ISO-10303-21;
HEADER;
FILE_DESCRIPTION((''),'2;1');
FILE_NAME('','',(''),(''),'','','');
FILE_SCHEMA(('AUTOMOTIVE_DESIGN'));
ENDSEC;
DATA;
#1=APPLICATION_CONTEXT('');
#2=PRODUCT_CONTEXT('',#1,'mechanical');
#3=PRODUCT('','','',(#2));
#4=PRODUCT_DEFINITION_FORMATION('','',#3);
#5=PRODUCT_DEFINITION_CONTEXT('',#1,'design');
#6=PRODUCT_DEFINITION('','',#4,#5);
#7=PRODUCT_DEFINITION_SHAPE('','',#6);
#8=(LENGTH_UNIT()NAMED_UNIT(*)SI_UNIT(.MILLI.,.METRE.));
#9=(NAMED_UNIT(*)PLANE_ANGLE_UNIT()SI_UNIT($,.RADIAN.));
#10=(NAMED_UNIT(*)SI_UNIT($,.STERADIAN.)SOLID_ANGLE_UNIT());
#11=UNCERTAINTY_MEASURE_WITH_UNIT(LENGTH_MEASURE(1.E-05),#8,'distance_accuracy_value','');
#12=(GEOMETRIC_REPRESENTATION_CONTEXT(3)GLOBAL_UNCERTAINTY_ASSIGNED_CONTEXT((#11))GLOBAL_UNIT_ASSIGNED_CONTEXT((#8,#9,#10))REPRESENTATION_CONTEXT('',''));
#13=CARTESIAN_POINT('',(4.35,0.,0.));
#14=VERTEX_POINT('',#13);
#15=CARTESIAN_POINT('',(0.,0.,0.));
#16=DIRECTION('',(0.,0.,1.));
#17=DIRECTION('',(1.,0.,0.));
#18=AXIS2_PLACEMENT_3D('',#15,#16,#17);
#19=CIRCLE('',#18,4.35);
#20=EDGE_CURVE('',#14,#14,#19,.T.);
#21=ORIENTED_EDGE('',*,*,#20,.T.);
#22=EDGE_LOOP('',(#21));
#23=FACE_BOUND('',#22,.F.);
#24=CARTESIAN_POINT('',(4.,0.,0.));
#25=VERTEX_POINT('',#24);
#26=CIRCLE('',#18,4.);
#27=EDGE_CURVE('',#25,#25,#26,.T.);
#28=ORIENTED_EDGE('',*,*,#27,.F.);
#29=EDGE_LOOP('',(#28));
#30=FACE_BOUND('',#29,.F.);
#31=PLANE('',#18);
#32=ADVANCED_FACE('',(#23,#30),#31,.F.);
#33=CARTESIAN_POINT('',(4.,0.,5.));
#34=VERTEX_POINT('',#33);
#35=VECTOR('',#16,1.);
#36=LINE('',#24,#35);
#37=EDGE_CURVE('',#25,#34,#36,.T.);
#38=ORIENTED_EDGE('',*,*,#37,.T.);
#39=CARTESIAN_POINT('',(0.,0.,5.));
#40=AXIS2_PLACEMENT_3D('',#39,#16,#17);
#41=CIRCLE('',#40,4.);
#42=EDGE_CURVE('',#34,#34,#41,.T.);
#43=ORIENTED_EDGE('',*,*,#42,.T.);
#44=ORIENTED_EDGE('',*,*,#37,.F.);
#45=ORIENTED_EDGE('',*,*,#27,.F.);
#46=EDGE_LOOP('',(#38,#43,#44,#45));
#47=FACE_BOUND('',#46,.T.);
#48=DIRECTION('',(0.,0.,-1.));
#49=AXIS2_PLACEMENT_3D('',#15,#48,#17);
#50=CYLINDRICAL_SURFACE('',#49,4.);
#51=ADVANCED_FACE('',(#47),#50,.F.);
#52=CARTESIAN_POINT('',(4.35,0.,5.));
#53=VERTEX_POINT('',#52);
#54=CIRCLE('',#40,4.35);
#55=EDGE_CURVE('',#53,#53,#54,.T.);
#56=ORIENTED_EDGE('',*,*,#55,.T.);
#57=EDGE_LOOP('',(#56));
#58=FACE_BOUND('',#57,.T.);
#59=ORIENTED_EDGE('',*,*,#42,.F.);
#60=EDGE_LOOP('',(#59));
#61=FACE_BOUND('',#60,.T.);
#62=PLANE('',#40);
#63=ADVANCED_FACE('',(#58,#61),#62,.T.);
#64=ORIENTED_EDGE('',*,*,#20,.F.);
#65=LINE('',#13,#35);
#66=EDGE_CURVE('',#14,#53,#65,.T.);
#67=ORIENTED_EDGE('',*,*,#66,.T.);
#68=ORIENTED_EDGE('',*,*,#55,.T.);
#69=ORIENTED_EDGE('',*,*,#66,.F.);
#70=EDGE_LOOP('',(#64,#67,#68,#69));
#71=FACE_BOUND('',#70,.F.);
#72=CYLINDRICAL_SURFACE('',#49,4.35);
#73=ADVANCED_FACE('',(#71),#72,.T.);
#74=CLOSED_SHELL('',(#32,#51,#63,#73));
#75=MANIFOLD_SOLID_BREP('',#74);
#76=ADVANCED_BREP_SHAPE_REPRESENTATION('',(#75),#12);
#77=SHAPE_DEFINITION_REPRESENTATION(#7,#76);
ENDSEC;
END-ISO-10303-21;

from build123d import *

# Parameters (mm, degrees)
SKETCH_R   = 4.35
SKETCH_R_2 = 4
PAD_DEPTH  = 5


with BuildPart() as part:
    # Sketch → Pad (new body)
    with BuildSketch(Plane.XY):
        Circle(SKETCH_R)
        Circle(SKETCH_R_2, mode=Mode.SUBTRACT)
    extrude(amount=PAD_DEPTH)


solid = part.part
